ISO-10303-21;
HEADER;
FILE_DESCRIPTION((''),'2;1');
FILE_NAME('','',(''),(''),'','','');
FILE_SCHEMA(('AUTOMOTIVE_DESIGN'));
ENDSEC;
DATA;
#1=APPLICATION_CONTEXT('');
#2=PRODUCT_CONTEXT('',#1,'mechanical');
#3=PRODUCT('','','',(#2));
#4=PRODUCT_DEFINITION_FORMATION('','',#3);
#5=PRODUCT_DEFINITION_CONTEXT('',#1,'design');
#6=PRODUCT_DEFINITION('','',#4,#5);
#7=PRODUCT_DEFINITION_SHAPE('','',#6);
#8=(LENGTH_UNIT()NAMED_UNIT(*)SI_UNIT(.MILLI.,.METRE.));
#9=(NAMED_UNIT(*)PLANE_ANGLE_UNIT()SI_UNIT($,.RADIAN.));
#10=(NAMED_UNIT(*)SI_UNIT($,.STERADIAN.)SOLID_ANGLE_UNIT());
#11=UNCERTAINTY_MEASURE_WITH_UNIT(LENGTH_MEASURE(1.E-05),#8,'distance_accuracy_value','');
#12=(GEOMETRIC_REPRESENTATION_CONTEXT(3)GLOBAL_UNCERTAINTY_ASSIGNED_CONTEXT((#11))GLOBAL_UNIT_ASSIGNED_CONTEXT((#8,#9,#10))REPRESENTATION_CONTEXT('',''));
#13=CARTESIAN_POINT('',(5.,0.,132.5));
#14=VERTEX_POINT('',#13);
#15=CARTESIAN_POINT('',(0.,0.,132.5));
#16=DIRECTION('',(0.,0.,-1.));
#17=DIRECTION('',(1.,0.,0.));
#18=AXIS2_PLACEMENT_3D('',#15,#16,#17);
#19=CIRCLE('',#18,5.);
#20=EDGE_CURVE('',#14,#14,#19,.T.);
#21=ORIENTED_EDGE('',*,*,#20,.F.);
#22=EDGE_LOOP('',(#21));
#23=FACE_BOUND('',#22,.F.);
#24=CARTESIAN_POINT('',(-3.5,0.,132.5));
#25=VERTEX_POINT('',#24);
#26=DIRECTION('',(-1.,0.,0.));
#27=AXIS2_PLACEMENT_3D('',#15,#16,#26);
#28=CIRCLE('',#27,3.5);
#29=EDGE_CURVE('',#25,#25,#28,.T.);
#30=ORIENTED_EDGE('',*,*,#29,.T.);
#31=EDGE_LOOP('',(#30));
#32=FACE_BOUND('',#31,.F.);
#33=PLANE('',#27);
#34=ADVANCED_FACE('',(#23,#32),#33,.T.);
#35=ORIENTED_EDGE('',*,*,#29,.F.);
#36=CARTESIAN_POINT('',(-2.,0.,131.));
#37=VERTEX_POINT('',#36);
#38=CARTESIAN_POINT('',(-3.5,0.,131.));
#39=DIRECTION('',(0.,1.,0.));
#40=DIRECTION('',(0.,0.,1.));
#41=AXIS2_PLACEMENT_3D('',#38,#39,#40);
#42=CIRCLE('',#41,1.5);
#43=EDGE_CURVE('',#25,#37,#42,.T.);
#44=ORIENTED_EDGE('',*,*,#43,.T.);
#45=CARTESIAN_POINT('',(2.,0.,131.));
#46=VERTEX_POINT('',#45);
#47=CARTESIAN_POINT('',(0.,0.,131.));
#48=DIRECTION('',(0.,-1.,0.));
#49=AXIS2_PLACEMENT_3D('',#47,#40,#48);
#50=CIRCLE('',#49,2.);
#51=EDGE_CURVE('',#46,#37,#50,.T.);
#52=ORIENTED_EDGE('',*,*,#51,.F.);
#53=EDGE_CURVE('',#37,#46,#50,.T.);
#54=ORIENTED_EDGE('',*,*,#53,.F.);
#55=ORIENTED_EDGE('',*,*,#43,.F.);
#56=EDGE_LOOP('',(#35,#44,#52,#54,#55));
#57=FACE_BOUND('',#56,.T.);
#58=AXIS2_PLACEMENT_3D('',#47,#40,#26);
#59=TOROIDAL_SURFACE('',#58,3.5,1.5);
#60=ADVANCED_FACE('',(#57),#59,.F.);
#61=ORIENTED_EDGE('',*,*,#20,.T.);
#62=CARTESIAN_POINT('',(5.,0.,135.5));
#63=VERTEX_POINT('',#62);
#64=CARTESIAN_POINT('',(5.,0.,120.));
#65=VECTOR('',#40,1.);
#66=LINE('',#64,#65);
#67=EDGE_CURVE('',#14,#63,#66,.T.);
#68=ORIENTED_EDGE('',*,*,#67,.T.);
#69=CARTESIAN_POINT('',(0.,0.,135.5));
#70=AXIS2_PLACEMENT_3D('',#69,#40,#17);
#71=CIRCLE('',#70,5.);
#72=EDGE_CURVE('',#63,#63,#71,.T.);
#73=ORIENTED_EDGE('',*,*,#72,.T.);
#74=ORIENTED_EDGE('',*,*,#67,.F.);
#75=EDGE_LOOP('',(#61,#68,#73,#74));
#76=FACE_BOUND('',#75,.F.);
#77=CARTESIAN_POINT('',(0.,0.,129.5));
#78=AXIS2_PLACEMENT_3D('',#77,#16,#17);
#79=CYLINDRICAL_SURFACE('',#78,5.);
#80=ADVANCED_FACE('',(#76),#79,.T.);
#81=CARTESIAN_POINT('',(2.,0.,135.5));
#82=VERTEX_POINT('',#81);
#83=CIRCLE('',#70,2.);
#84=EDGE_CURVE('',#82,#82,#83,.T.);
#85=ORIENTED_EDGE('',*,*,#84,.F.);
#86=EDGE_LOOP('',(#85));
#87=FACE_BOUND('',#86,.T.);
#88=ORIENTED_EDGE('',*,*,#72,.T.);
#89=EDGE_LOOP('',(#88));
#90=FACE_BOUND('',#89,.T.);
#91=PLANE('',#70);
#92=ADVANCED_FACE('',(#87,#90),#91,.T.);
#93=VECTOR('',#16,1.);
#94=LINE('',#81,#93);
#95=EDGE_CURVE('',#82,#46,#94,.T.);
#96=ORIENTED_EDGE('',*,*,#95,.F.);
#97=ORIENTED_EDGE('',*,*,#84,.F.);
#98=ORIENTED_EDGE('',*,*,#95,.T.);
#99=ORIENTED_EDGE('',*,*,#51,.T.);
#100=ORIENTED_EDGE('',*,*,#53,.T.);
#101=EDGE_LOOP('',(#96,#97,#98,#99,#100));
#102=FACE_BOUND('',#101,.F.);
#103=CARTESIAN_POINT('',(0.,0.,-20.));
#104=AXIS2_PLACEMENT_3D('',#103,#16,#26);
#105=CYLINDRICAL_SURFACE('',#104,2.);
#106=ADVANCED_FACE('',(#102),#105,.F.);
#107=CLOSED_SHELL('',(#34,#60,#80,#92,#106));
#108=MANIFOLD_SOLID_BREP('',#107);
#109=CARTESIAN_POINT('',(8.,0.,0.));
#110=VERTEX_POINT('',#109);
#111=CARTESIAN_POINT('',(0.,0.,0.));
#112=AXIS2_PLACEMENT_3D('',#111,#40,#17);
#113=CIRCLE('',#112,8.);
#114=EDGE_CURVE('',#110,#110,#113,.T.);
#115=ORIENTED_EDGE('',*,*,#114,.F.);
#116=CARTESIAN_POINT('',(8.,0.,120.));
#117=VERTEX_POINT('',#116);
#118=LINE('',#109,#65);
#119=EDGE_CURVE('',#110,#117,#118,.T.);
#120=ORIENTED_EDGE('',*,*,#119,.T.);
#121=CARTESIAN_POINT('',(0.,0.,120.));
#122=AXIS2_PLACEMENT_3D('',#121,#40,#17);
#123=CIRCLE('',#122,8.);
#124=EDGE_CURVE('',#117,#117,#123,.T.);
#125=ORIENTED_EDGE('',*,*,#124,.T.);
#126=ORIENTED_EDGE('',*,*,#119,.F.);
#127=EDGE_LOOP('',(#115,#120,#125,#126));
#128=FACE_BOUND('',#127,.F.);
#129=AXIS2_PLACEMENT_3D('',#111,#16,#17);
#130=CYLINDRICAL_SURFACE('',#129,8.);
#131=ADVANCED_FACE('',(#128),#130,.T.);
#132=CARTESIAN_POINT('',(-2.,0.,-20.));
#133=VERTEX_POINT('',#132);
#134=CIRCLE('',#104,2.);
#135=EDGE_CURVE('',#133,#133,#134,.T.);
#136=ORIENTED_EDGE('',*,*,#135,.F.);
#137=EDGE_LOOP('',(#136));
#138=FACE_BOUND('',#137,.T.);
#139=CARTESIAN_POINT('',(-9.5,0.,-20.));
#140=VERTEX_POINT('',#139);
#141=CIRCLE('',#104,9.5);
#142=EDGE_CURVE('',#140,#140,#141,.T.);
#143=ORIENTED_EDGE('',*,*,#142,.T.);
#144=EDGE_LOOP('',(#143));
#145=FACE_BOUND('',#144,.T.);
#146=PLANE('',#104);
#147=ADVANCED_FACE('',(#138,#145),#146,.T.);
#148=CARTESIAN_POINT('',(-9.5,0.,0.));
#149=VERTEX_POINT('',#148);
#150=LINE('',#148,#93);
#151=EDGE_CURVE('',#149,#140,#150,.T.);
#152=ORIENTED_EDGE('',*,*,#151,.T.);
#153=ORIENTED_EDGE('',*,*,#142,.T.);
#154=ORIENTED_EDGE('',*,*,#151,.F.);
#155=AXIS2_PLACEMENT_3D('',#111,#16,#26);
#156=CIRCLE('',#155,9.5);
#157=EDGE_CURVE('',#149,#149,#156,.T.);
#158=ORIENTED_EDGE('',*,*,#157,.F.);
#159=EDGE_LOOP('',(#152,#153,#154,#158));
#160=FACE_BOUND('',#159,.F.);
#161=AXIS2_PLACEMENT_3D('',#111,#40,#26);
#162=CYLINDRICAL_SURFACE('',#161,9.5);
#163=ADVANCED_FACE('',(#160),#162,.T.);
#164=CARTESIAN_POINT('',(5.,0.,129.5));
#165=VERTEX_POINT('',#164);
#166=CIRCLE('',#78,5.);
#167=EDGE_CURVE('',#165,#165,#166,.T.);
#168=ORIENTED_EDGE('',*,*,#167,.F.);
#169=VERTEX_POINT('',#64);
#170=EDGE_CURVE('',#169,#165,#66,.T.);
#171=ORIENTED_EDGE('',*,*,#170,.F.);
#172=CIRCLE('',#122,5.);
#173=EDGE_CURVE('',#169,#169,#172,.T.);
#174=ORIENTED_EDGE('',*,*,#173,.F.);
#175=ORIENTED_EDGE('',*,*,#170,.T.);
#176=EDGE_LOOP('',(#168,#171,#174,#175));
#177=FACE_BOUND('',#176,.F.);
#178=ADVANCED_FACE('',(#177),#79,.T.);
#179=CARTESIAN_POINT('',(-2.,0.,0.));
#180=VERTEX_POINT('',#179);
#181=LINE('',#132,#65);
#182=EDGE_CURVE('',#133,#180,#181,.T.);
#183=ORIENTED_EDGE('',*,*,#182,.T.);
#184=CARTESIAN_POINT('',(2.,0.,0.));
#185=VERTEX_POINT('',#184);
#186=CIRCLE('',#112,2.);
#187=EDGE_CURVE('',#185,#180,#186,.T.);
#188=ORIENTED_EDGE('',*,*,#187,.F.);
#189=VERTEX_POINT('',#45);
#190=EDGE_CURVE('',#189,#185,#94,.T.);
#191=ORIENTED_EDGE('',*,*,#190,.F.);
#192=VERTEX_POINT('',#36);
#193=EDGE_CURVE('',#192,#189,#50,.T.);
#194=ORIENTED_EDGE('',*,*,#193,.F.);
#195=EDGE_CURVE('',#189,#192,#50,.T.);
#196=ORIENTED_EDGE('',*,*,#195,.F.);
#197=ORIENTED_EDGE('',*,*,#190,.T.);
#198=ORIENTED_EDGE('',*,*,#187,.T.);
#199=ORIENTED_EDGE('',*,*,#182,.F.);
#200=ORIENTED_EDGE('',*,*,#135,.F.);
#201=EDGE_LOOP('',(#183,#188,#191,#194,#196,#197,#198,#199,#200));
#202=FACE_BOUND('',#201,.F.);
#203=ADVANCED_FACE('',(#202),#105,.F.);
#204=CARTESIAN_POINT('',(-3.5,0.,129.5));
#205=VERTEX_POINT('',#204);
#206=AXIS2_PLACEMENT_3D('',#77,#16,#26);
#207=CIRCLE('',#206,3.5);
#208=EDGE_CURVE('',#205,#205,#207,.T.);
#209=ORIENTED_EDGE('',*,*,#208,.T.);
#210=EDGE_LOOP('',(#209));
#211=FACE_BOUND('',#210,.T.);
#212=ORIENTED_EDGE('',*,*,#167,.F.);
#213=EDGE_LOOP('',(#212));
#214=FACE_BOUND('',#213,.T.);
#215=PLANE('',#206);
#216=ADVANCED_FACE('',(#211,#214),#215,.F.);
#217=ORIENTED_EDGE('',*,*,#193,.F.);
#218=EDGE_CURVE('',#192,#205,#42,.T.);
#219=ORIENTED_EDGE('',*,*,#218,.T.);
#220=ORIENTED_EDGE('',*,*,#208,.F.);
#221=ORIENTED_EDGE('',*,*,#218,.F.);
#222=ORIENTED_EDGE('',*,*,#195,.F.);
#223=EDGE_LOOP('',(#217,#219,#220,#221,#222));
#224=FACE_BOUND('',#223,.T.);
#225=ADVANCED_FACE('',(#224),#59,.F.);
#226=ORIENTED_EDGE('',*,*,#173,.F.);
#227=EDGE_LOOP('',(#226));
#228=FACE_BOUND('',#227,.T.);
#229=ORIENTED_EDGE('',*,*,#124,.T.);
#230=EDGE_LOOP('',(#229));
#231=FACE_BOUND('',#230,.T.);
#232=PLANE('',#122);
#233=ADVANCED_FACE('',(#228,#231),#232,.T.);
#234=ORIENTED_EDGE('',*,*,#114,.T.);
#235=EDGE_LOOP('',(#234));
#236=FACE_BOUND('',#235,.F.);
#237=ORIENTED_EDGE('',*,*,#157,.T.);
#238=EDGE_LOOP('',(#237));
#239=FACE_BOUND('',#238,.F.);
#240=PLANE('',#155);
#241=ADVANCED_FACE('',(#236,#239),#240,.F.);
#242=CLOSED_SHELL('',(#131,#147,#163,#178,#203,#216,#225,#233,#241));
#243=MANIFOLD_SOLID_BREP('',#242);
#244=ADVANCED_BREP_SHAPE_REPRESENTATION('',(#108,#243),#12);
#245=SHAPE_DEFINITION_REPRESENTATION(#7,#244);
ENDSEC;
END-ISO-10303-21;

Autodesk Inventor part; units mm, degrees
ref_plane "YZ Plane" through (0, 0, 0) normal (1, 0, 0) x (0, 1, 0)
ref_plane "XZ Plane" through (0, 0, 0) normal (0, 1, 0) x (-1, 0, 0)
sketch "Sketch1" plane through (0, 0, 0) normal (0, 0, 1) x (1, 0, 0)
  circle A0 centre (0, 0) radius 8
  dimension "d0" = 16
extrude "Extrusion1" add sketch "Sketch1" along normal blind 120
sketch "Sketch2" plane through (0, 0, 120) normal (0, 0, 1) x (1, 0, 0)
  circle A0 centre (0, 0) radius 5
  dimension "d3" = 10
extrude "Extrusion2" add sketch "Sketch2" along normal blind 9.5
sketch "Sketch5" plane through (0, 0, 129.5) normal (0, 0, 1) x (1, 0, 0)
  circle A0 centre (0, 0) radius 5
extrude "Extrusion4" add sketch "Sketch5" along normal blind 6
sketch "Sketch8" plane through (0, 0, 135.5) normal (0, 0, 1) x (1, 0, 0)
  circle A0 centre (0, 0) radius 5 projected
  circle A1 centre (0, 0) radius 2
  dimension "d27" = 4
extrude "Extrusion7" cut sketch "Sketch8" against normal blind 189 contours A1
sketch "Sketch10" plane through (0, 0, 0) normal (0, 0, -1) x (-1, 0, 0)
  circle A0 centre (0, 0) radius 2 projected
  circle A1 centre (0, 0) radius 9.5
  dimension "d44" = 19
extrude "Extrusion9" add sketch "Sketch10" along normal blind 20 contours A0 | A1
sketch "Sketch11" plane through (0, 0, -20) normal (0, 0, -1) x (-1, 0, 0)
  circle A0 centre (0, 0) radius 2 projected
  circle A1 centre (0, 0) radius 2
extrude "Extrusion10" cut sketch "Sketch11" against normal blind 20
sketch "Sketch12" plane through (0, 0, 135.5) normal (0, 0, 1) x (1, 0, 0)
  circle A0 centre (0, 0) radius 5 projected
  point P0 (5, 0)
ref_plane "Work Plane1" through (5, 0, 135.5) normal (0, 1, 0) x (-1, 0, 0)
sketch "Sketch14" plane through (5, 0, 135.5) normal (0, 1, 0) x (-1, 0, 0)
  point P0 (5, -135.5)
sketch "Sketch15" plane through (5, 0, 135.5) normal (0, 1, 0) x (-1, 0, 0)
  arc A0 (8.5, -3) -> (8.5, -6) centre (8.5, -4.5) ccw
  line L0 (13, -15.5) -> (-3, -15.5) projected
  line L1 (5, -186.6) -> (5, 31.1) projected
  line L2 (8.5, -6) -> (10, -6)
  line L3 (8.5, -3) -> (10, -3)
  line L4 (10, -15.5) -> (10, 0) projected
  line L5 (10, -3) -> (10, -6)
  point P0 (5, -135.5)
  point P1 (10, -6)
  dimension "d67" = 3
  dimension "d68" = 11
  dimension "d69" = 3.5
revolve "Revolution2" cut sketch "Sketch15" angle 360 about axis through (0, 0, 120) along (0, 0, -1)
thread "Thread1" size "M16x2" class "6g" standard "ANSI Metric M Profile" full length
properties part number "Trapezspindle"
